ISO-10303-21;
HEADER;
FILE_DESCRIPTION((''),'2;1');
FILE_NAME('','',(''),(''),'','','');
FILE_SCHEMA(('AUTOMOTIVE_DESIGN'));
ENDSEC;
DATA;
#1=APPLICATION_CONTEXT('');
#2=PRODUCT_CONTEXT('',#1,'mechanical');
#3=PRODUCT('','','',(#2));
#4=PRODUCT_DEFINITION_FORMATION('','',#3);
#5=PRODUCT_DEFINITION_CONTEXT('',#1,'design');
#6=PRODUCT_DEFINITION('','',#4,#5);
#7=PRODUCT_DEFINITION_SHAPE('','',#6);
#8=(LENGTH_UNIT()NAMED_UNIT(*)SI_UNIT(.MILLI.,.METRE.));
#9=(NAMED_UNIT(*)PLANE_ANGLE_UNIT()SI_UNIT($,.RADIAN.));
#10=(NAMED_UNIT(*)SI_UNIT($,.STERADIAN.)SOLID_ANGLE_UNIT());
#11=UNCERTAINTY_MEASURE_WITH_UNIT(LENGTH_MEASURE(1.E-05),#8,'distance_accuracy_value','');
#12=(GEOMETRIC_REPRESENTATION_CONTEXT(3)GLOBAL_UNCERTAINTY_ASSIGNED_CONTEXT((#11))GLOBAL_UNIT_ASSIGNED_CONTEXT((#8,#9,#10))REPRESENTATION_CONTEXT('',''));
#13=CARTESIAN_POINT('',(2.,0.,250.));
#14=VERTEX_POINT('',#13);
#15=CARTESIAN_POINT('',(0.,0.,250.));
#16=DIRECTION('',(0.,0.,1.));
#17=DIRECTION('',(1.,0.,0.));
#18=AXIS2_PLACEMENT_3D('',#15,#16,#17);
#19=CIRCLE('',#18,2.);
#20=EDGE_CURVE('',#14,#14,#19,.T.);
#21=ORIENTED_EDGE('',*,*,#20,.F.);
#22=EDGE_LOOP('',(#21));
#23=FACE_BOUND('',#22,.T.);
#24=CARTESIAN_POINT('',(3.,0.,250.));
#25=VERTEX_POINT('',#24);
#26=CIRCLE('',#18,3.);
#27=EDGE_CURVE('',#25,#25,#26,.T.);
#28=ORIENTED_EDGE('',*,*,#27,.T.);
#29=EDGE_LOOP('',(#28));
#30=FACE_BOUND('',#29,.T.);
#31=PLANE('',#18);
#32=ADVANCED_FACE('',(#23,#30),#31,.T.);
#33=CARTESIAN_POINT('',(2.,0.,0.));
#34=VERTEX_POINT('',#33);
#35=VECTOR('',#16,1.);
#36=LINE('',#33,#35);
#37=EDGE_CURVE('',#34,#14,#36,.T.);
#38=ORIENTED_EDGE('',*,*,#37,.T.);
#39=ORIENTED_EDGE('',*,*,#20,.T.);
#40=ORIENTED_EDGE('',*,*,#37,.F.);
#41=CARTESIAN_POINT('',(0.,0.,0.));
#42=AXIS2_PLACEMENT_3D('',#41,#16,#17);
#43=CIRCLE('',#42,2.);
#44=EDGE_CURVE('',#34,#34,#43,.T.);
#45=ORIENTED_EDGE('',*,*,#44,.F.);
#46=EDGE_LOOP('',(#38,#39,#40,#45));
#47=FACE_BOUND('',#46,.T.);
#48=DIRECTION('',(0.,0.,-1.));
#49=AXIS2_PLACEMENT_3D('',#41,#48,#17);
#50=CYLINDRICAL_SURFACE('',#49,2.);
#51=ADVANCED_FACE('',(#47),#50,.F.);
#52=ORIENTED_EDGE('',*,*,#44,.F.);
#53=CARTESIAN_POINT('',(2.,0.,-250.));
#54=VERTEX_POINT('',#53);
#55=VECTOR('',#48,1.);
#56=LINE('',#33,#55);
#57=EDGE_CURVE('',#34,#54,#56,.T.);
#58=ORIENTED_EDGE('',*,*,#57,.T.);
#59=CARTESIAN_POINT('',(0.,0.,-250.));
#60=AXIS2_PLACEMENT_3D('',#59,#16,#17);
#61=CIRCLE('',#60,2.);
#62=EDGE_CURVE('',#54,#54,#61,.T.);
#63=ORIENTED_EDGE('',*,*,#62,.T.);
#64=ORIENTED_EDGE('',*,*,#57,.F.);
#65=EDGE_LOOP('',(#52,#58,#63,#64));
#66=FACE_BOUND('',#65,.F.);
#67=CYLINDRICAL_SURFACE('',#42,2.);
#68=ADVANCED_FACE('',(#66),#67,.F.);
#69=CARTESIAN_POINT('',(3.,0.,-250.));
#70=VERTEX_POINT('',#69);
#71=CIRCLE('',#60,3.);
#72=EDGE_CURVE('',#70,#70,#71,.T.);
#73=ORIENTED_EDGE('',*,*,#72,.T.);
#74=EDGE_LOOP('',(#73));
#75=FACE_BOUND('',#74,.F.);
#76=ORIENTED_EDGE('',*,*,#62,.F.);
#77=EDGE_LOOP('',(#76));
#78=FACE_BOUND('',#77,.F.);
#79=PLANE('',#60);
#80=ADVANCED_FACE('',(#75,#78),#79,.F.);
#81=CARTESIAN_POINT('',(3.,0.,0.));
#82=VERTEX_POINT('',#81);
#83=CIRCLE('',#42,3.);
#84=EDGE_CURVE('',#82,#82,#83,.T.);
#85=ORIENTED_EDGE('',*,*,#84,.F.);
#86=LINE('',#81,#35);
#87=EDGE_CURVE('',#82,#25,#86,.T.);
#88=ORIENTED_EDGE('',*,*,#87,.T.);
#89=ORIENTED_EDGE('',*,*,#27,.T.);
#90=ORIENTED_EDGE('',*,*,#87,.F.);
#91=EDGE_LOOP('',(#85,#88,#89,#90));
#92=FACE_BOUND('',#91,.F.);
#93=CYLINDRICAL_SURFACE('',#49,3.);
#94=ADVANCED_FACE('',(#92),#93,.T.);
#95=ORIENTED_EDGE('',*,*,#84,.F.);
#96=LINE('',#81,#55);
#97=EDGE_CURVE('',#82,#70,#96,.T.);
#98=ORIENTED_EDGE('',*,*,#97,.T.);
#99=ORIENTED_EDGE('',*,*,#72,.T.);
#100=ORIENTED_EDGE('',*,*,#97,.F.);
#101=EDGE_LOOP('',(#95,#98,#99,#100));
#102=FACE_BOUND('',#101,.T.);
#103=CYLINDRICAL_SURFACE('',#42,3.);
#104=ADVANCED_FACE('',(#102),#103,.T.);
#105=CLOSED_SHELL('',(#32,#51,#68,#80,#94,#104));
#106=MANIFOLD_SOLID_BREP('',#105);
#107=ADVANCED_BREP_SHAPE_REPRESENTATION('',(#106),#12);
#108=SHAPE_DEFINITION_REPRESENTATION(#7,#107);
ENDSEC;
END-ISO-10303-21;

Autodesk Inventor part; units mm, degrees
ref_plane "YZ Plane" through (0, 0, 0) normal (1, 0, 0) x (0, 1, 0)
ref_plane "XZ Plane" through (0, 0, 0) normal (0, 1, 0) x (-1, 0, 0)
ref_plane "XY Plane" through (0, 0, 0) normal (0, 0, 1) x (1, 0, 0)
sketch "Sketch1" plane through (0, 0, 0) normal (0, 0, 1) x (1, 0, 0)
  circle A0 centre (0, 0) radius 3
  circle A1 centre (0, 0) radius 2
  dimension "d0" = 6
  dimension "d1" = 4
extrude "Extrusion1" add sketch "Sketch1" along normal mid plane 500
properties part number "Carbon Tube 6x4x500"
